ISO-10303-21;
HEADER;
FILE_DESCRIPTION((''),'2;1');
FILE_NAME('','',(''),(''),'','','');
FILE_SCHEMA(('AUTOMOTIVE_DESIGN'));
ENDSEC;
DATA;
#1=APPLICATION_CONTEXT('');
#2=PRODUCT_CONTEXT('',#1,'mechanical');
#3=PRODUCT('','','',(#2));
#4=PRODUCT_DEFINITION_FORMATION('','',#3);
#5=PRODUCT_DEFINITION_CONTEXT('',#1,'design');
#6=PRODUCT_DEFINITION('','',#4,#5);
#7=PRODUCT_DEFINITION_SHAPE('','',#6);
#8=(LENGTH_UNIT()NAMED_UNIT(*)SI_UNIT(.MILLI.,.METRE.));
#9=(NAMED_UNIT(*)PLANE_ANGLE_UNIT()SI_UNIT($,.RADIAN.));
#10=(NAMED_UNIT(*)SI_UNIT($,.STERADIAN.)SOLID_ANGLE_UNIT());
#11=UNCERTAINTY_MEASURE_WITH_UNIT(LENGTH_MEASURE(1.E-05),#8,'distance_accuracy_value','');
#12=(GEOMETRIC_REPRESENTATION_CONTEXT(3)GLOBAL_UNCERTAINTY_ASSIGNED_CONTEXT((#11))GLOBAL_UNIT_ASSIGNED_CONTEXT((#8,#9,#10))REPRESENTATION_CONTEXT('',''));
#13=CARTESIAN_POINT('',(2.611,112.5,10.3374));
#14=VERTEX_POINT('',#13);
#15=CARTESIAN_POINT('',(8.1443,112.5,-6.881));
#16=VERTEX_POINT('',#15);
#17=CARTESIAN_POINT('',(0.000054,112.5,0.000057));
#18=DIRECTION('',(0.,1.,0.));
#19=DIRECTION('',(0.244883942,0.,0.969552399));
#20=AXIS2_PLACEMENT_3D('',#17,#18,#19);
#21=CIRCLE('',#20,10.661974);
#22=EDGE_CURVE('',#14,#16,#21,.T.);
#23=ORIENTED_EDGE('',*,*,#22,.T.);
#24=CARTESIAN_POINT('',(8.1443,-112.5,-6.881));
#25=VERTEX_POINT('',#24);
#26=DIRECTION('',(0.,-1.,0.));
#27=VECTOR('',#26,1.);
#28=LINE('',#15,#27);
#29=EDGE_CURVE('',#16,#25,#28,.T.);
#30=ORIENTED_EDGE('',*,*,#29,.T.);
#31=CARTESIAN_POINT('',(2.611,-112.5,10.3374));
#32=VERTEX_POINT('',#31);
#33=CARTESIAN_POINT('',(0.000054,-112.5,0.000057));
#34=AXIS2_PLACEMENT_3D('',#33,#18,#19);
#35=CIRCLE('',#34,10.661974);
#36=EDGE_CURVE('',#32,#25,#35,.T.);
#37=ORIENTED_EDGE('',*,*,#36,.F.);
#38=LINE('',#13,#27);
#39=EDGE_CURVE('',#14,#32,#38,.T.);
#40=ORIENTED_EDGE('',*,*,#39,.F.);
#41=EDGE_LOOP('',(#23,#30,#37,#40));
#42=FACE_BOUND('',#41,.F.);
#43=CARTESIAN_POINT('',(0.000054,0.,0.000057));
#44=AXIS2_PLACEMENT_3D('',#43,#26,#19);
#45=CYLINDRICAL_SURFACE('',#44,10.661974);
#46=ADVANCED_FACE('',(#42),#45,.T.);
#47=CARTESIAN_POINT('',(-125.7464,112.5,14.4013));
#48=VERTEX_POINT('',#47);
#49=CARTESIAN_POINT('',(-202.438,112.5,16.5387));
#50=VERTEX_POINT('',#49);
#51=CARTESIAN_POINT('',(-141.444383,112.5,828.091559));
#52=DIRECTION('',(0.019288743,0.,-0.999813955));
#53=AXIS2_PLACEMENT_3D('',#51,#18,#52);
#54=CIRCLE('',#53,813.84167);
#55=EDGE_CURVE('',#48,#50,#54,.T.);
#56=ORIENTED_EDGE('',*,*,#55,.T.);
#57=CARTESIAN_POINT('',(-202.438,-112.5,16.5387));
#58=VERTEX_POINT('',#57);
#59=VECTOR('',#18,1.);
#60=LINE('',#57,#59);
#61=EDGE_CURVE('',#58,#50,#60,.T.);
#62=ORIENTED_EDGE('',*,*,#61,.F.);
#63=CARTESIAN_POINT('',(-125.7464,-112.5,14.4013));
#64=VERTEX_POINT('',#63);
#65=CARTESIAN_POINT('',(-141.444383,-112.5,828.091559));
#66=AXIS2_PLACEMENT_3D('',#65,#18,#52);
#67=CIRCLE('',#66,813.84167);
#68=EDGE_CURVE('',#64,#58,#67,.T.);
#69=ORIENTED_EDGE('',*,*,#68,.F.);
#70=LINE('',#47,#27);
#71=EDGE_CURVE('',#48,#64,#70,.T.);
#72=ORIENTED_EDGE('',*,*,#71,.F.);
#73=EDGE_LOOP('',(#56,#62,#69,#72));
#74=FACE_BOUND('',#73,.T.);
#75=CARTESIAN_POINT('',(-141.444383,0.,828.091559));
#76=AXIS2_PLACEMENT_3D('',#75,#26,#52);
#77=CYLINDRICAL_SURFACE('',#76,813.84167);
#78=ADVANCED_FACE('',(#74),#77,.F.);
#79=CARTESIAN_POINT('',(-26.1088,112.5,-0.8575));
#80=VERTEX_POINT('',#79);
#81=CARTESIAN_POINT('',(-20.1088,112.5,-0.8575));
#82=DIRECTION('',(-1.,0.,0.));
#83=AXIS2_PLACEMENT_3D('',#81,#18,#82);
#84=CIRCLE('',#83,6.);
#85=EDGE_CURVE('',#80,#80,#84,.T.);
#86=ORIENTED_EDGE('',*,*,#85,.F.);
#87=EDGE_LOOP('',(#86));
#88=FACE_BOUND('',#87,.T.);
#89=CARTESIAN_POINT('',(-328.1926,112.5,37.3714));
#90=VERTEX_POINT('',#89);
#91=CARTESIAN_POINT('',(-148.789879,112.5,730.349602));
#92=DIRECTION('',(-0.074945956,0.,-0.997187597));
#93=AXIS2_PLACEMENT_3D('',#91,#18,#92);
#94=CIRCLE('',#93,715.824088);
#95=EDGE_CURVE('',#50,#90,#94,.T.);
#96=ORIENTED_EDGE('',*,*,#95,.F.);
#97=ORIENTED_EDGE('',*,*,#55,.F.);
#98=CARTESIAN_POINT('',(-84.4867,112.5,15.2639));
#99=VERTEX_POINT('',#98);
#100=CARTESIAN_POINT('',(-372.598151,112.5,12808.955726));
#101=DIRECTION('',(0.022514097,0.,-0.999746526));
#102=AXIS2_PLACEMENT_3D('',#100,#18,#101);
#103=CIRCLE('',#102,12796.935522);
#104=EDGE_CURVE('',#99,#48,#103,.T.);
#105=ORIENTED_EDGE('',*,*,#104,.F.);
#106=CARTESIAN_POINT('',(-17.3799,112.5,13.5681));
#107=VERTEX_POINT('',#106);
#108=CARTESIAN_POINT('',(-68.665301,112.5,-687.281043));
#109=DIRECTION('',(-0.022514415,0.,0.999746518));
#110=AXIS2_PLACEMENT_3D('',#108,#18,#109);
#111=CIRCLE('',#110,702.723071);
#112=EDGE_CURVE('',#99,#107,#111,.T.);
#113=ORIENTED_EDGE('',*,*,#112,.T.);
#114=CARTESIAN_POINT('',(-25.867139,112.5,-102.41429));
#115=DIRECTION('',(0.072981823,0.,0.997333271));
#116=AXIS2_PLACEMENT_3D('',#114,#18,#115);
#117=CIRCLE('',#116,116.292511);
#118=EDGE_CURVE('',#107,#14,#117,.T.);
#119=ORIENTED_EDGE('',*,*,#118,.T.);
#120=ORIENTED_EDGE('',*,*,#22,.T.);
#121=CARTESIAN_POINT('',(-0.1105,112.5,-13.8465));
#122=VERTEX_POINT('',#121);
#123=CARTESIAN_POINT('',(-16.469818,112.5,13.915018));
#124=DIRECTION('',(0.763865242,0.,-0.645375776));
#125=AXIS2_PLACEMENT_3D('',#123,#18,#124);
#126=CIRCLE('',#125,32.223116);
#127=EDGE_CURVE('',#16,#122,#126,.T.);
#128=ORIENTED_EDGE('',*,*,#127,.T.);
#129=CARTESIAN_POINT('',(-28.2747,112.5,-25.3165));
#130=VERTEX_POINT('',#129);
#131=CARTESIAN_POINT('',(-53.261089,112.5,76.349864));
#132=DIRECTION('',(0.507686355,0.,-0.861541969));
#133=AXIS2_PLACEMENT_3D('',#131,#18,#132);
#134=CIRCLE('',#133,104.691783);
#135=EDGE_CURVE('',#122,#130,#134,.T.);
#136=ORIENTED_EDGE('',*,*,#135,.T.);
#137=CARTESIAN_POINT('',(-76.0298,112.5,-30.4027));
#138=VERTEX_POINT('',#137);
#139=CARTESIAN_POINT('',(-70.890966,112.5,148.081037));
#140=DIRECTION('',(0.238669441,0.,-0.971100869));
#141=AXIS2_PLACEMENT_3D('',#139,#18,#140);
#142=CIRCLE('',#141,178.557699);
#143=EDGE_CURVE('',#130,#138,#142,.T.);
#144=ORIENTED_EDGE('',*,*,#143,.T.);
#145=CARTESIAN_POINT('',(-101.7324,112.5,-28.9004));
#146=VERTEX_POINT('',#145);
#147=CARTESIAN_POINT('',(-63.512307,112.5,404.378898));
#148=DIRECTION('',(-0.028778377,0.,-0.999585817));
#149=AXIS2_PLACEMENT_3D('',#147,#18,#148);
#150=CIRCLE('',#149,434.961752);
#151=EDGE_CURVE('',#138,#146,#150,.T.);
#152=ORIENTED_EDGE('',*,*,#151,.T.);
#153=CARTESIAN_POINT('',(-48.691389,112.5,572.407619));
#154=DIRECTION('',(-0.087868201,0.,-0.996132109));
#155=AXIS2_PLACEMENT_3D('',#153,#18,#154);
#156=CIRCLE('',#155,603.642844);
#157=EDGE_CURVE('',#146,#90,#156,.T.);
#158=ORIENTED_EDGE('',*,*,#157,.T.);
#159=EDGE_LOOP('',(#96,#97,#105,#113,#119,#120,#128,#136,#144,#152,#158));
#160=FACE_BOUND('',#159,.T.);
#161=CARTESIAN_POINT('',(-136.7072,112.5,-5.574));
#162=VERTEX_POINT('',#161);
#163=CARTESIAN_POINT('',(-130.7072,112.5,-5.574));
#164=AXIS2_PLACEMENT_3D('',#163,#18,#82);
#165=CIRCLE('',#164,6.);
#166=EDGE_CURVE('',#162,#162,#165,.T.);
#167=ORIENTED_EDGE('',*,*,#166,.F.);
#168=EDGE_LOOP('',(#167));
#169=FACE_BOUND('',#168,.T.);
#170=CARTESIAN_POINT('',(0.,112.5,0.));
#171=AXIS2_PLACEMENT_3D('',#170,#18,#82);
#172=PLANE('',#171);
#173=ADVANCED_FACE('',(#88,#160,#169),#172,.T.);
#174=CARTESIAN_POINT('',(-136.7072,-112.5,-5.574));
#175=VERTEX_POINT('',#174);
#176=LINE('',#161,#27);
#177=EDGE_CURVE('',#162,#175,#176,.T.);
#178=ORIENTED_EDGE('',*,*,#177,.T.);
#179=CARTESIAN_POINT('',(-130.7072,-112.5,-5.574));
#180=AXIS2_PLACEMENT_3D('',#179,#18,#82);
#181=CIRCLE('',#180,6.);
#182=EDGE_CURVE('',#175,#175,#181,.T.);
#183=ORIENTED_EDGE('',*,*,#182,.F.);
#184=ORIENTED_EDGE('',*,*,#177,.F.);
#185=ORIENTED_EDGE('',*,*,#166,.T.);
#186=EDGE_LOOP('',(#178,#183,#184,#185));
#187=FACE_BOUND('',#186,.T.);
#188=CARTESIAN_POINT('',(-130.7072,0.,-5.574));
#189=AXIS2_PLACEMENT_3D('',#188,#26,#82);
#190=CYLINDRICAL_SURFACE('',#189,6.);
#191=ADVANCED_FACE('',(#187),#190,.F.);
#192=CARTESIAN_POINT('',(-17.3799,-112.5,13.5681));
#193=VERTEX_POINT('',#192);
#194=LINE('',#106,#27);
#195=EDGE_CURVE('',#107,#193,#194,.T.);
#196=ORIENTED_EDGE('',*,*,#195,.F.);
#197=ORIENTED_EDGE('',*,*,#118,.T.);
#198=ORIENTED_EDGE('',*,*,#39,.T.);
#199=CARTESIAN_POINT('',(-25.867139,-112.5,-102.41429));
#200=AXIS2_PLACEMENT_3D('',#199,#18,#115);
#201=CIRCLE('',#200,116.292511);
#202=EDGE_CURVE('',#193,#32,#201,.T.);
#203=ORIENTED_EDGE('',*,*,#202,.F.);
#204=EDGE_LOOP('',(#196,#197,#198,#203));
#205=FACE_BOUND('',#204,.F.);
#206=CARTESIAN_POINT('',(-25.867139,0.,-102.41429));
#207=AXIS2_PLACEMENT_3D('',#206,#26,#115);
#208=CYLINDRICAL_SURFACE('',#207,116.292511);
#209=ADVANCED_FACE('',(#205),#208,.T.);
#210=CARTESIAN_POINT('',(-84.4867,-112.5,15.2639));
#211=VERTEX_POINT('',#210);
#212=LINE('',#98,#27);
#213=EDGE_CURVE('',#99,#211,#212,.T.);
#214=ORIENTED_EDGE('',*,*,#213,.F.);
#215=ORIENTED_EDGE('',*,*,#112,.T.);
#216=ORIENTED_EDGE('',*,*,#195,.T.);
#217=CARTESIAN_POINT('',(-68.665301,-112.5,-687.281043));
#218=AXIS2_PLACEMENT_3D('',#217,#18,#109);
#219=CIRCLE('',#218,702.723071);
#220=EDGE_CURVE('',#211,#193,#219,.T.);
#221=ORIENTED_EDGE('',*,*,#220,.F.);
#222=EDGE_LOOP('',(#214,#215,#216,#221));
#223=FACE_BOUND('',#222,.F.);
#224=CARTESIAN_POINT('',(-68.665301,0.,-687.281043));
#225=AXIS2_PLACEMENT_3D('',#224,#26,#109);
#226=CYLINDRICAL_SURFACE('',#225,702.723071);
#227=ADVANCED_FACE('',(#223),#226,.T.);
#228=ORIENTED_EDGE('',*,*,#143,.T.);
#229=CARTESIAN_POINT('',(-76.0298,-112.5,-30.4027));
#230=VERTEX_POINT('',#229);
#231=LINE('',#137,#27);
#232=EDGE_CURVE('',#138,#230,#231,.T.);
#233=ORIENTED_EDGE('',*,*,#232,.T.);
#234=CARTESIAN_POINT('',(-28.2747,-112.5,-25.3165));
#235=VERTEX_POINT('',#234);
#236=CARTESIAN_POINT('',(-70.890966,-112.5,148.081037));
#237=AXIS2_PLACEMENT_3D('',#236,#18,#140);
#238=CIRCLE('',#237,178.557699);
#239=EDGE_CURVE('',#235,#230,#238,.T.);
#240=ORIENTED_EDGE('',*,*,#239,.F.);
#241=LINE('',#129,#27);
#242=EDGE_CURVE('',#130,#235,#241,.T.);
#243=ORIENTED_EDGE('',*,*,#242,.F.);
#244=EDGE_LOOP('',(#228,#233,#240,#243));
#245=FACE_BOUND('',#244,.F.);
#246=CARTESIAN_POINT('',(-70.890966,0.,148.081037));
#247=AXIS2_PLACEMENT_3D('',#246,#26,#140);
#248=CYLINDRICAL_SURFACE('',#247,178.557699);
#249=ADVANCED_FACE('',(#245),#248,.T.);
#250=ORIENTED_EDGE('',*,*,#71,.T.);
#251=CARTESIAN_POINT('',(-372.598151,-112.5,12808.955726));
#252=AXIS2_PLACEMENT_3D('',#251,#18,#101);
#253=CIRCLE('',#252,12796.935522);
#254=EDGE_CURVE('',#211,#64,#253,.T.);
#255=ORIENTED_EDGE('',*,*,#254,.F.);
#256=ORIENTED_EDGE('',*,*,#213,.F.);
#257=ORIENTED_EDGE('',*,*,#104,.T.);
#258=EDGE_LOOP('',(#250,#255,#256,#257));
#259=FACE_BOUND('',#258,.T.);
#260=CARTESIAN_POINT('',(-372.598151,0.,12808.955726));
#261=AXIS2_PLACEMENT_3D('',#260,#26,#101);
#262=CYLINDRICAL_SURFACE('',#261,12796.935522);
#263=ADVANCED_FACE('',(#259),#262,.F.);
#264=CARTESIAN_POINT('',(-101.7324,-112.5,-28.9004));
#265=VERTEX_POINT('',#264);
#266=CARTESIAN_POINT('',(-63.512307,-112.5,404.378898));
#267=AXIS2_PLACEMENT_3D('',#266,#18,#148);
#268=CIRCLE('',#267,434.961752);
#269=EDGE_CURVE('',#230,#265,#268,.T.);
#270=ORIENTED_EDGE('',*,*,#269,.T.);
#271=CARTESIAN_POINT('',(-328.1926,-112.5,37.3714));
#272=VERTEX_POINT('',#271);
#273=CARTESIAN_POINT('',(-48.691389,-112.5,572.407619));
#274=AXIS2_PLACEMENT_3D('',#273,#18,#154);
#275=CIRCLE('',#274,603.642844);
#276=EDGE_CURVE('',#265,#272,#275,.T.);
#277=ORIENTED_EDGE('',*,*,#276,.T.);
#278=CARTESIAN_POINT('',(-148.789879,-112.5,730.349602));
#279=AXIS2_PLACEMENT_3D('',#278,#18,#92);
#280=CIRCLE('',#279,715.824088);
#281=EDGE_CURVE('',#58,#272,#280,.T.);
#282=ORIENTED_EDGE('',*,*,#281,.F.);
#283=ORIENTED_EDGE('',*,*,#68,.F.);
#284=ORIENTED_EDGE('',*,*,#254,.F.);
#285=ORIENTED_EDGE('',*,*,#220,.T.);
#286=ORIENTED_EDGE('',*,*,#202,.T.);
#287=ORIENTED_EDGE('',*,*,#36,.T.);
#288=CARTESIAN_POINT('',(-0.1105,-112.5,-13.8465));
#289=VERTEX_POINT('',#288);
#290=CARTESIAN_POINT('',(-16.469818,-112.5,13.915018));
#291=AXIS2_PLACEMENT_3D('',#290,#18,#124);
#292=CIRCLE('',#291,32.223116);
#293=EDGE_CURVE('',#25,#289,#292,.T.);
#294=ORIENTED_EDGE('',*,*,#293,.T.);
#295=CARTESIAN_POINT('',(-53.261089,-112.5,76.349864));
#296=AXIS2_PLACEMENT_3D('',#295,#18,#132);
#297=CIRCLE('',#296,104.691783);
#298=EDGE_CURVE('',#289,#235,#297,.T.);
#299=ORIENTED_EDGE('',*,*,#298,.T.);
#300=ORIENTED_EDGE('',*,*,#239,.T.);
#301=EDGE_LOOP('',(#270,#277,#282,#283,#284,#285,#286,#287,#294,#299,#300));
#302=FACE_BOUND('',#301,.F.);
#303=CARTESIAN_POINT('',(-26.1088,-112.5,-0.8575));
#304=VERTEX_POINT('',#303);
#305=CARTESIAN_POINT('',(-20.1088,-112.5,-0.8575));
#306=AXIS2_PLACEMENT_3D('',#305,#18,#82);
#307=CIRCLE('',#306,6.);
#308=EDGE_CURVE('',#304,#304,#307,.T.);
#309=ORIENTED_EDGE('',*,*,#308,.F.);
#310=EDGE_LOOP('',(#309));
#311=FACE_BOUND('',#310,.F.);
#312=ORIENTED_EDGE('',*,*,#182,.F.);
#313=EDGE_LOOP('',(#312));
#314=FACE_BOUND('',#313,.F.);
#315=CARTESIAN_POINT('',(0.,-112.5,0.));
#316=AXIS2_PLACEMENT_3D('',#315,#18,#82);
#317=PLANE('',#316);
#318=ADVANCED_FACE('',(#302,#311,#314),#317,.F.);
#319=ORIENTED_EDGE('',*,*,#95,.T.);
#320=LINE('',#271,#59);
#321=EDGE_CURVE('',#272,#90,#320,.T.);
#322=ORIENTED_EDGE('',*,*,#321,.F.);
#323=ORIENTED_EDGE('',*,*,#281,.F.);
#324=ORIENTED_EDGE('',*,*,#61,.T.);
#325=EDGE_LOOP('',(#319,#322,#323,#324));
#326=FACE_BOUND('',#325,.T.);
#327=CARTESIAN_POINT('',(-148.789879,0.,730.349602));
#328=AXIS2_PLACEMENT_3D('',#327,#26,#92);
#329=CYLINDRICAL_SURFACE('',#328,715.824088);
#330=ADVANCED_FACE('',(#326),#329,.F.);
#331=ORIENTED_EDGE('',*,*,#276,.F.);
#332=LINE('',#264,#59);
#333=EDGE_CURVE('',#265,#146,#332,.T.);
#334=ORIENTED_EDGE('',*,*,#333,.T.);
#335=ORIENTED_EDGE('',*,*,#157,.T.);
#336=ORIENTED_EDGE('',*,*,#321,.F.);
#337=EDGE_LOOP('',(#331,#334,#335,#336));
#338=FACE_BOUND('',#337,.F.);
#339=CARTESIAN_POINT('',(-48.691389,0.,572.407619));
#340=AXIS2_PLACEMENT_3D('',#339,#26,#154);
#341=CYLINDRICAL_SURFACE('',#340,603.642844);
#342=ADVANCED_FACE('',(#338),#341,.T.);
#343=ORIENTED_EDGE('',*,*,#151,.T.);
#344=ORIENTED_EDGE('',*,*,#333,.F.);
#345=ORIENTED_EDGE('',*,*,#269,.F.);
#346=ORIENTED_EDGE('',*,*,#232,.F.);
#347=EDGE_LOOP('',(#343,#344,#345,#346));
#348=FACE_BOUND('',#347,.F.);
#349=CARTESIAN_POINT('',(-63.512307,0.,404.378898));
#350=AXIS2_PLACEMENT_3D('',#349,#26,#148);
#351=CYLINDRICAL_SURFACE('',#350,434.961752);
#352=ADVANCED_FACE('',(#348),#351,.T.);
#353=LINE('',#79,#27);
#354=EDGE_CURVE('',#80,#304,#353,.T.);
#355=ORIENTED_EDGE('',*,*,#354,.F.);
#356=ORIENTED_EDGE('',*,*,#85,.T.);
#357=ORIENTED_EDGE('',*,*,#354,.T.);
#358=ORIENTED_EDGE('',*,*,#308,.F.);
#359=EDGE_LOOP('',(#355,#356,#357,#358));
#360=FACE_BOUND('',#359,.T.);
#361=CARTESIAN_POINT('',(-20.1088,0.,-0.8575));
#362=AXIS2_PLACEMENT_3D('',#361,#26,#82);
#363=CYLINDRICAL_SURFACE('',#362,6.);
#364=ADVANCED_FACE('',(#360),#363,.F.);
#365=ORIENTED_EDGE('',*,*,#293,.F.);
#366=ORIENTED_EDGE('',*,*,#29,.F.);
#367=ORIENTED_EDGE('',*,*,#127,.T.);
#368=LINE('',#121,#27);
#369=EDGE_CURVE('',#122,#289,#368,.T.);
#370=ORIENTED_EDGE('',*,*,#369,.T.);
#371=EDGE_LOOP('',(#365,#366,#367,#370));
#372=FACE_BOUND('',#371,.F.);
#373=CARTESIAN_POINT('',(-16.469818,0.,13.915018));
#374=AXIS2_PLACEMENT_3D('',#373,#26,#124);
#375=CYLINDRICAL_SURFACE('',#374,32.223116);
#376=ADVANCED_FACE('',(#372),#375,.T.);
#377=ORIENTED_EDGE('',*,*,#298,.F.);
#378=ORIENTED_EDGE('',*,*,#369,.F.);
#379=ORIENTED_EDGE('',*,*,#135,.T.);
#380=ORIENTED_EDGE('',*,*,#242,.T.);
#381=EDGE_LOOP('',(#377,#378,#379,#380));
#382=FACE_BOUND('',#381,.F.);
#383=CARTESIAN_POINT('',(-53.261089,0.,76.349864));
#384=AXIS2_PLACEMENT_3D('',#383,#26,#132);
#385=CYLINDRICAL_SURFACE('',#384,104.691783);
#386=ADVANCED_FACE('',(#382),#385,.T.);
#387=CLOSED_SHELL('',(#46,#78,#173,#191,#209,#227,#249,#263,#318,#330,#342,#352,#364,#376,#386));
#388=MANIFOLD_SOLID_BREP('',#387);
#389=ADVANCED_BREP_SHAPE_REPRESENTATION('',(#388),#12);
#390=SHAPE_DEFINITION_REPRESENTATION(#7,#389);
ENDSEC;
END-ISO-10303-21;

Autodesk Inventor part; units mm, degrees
ref_plane "YZ Plane" through (0, 0, 0) normal (1, 0, 0) x (0, 1, 0)
ref_plane "XZ Plane" through (0, 0, 0) normal (0, 1, 0) x (-1, 0, 0)
ref_plane "XY Plane" through (0, 0, 0) normal (0, 0, 1) x (1, 0, 0)
sketch "スケッチ1" plane through (0, 0, 0) normal (0, 1, 0) x (-1, 0, 0)
  arc A0 (101.7324, -28.9004) -> (328.1926, 37.3714) centre (48.6916, 572.4065) ccw projected
  arc A1 (202.438, 16.5387) -> (328.1926, 37.3714) centre (148.7903, 730.3461) ccw projected
  arc A2 (125.7464, 14.4013) -> (202.438, 16.5387) centre (141.4444, 828.0876) ccw projected
  arc A3 (84.4867, 15.2639) -> (125.7464, 14.4013) centre (372.4747, 12803.2702) ccw projected
  arc A4 (84.4867, 15.2639) -> (17.3799, 13.5681) centre (68.6653, -687.2803) ccw projected
  arc A5 (17.3799, 13.5681) -> (-2.611, 10.3374) centre (25.867, -102.4131) ccw projected
  arc A6 (-2.611, 10.3374) -> (-8.1443, -6.881) centre (0, 0) ccw projected
  arc A7 (-8.1443, -6.881) -> (0.1105, -13.8465) centre (16.4695, 13.9147) ccw projected
  arc A8 (0.1105, -13.8465) -> (28.2747, -25.3165) centre (53.2618, 76.3513) ccw projected
  arc A9 (28.2747, -25.3165) -> (76.0298, -30.4027) centre (70.8911, 148.0818) ccw projected
  arc A10 (76.0298, -30.4027) -> (101.7324, -28.9004) centre (63.5115, 404.3974) ccw projected
  circle A11 centre (20.1088, -0.8575) radius 6 projected
  circle A12 centre (130.7072, -5.574) radius 6 projected
  point P0 (0, 0)
extrude "押し出し1" add sketch "スケッチ1" along normal mid plane 225
properties part number "main flap"
